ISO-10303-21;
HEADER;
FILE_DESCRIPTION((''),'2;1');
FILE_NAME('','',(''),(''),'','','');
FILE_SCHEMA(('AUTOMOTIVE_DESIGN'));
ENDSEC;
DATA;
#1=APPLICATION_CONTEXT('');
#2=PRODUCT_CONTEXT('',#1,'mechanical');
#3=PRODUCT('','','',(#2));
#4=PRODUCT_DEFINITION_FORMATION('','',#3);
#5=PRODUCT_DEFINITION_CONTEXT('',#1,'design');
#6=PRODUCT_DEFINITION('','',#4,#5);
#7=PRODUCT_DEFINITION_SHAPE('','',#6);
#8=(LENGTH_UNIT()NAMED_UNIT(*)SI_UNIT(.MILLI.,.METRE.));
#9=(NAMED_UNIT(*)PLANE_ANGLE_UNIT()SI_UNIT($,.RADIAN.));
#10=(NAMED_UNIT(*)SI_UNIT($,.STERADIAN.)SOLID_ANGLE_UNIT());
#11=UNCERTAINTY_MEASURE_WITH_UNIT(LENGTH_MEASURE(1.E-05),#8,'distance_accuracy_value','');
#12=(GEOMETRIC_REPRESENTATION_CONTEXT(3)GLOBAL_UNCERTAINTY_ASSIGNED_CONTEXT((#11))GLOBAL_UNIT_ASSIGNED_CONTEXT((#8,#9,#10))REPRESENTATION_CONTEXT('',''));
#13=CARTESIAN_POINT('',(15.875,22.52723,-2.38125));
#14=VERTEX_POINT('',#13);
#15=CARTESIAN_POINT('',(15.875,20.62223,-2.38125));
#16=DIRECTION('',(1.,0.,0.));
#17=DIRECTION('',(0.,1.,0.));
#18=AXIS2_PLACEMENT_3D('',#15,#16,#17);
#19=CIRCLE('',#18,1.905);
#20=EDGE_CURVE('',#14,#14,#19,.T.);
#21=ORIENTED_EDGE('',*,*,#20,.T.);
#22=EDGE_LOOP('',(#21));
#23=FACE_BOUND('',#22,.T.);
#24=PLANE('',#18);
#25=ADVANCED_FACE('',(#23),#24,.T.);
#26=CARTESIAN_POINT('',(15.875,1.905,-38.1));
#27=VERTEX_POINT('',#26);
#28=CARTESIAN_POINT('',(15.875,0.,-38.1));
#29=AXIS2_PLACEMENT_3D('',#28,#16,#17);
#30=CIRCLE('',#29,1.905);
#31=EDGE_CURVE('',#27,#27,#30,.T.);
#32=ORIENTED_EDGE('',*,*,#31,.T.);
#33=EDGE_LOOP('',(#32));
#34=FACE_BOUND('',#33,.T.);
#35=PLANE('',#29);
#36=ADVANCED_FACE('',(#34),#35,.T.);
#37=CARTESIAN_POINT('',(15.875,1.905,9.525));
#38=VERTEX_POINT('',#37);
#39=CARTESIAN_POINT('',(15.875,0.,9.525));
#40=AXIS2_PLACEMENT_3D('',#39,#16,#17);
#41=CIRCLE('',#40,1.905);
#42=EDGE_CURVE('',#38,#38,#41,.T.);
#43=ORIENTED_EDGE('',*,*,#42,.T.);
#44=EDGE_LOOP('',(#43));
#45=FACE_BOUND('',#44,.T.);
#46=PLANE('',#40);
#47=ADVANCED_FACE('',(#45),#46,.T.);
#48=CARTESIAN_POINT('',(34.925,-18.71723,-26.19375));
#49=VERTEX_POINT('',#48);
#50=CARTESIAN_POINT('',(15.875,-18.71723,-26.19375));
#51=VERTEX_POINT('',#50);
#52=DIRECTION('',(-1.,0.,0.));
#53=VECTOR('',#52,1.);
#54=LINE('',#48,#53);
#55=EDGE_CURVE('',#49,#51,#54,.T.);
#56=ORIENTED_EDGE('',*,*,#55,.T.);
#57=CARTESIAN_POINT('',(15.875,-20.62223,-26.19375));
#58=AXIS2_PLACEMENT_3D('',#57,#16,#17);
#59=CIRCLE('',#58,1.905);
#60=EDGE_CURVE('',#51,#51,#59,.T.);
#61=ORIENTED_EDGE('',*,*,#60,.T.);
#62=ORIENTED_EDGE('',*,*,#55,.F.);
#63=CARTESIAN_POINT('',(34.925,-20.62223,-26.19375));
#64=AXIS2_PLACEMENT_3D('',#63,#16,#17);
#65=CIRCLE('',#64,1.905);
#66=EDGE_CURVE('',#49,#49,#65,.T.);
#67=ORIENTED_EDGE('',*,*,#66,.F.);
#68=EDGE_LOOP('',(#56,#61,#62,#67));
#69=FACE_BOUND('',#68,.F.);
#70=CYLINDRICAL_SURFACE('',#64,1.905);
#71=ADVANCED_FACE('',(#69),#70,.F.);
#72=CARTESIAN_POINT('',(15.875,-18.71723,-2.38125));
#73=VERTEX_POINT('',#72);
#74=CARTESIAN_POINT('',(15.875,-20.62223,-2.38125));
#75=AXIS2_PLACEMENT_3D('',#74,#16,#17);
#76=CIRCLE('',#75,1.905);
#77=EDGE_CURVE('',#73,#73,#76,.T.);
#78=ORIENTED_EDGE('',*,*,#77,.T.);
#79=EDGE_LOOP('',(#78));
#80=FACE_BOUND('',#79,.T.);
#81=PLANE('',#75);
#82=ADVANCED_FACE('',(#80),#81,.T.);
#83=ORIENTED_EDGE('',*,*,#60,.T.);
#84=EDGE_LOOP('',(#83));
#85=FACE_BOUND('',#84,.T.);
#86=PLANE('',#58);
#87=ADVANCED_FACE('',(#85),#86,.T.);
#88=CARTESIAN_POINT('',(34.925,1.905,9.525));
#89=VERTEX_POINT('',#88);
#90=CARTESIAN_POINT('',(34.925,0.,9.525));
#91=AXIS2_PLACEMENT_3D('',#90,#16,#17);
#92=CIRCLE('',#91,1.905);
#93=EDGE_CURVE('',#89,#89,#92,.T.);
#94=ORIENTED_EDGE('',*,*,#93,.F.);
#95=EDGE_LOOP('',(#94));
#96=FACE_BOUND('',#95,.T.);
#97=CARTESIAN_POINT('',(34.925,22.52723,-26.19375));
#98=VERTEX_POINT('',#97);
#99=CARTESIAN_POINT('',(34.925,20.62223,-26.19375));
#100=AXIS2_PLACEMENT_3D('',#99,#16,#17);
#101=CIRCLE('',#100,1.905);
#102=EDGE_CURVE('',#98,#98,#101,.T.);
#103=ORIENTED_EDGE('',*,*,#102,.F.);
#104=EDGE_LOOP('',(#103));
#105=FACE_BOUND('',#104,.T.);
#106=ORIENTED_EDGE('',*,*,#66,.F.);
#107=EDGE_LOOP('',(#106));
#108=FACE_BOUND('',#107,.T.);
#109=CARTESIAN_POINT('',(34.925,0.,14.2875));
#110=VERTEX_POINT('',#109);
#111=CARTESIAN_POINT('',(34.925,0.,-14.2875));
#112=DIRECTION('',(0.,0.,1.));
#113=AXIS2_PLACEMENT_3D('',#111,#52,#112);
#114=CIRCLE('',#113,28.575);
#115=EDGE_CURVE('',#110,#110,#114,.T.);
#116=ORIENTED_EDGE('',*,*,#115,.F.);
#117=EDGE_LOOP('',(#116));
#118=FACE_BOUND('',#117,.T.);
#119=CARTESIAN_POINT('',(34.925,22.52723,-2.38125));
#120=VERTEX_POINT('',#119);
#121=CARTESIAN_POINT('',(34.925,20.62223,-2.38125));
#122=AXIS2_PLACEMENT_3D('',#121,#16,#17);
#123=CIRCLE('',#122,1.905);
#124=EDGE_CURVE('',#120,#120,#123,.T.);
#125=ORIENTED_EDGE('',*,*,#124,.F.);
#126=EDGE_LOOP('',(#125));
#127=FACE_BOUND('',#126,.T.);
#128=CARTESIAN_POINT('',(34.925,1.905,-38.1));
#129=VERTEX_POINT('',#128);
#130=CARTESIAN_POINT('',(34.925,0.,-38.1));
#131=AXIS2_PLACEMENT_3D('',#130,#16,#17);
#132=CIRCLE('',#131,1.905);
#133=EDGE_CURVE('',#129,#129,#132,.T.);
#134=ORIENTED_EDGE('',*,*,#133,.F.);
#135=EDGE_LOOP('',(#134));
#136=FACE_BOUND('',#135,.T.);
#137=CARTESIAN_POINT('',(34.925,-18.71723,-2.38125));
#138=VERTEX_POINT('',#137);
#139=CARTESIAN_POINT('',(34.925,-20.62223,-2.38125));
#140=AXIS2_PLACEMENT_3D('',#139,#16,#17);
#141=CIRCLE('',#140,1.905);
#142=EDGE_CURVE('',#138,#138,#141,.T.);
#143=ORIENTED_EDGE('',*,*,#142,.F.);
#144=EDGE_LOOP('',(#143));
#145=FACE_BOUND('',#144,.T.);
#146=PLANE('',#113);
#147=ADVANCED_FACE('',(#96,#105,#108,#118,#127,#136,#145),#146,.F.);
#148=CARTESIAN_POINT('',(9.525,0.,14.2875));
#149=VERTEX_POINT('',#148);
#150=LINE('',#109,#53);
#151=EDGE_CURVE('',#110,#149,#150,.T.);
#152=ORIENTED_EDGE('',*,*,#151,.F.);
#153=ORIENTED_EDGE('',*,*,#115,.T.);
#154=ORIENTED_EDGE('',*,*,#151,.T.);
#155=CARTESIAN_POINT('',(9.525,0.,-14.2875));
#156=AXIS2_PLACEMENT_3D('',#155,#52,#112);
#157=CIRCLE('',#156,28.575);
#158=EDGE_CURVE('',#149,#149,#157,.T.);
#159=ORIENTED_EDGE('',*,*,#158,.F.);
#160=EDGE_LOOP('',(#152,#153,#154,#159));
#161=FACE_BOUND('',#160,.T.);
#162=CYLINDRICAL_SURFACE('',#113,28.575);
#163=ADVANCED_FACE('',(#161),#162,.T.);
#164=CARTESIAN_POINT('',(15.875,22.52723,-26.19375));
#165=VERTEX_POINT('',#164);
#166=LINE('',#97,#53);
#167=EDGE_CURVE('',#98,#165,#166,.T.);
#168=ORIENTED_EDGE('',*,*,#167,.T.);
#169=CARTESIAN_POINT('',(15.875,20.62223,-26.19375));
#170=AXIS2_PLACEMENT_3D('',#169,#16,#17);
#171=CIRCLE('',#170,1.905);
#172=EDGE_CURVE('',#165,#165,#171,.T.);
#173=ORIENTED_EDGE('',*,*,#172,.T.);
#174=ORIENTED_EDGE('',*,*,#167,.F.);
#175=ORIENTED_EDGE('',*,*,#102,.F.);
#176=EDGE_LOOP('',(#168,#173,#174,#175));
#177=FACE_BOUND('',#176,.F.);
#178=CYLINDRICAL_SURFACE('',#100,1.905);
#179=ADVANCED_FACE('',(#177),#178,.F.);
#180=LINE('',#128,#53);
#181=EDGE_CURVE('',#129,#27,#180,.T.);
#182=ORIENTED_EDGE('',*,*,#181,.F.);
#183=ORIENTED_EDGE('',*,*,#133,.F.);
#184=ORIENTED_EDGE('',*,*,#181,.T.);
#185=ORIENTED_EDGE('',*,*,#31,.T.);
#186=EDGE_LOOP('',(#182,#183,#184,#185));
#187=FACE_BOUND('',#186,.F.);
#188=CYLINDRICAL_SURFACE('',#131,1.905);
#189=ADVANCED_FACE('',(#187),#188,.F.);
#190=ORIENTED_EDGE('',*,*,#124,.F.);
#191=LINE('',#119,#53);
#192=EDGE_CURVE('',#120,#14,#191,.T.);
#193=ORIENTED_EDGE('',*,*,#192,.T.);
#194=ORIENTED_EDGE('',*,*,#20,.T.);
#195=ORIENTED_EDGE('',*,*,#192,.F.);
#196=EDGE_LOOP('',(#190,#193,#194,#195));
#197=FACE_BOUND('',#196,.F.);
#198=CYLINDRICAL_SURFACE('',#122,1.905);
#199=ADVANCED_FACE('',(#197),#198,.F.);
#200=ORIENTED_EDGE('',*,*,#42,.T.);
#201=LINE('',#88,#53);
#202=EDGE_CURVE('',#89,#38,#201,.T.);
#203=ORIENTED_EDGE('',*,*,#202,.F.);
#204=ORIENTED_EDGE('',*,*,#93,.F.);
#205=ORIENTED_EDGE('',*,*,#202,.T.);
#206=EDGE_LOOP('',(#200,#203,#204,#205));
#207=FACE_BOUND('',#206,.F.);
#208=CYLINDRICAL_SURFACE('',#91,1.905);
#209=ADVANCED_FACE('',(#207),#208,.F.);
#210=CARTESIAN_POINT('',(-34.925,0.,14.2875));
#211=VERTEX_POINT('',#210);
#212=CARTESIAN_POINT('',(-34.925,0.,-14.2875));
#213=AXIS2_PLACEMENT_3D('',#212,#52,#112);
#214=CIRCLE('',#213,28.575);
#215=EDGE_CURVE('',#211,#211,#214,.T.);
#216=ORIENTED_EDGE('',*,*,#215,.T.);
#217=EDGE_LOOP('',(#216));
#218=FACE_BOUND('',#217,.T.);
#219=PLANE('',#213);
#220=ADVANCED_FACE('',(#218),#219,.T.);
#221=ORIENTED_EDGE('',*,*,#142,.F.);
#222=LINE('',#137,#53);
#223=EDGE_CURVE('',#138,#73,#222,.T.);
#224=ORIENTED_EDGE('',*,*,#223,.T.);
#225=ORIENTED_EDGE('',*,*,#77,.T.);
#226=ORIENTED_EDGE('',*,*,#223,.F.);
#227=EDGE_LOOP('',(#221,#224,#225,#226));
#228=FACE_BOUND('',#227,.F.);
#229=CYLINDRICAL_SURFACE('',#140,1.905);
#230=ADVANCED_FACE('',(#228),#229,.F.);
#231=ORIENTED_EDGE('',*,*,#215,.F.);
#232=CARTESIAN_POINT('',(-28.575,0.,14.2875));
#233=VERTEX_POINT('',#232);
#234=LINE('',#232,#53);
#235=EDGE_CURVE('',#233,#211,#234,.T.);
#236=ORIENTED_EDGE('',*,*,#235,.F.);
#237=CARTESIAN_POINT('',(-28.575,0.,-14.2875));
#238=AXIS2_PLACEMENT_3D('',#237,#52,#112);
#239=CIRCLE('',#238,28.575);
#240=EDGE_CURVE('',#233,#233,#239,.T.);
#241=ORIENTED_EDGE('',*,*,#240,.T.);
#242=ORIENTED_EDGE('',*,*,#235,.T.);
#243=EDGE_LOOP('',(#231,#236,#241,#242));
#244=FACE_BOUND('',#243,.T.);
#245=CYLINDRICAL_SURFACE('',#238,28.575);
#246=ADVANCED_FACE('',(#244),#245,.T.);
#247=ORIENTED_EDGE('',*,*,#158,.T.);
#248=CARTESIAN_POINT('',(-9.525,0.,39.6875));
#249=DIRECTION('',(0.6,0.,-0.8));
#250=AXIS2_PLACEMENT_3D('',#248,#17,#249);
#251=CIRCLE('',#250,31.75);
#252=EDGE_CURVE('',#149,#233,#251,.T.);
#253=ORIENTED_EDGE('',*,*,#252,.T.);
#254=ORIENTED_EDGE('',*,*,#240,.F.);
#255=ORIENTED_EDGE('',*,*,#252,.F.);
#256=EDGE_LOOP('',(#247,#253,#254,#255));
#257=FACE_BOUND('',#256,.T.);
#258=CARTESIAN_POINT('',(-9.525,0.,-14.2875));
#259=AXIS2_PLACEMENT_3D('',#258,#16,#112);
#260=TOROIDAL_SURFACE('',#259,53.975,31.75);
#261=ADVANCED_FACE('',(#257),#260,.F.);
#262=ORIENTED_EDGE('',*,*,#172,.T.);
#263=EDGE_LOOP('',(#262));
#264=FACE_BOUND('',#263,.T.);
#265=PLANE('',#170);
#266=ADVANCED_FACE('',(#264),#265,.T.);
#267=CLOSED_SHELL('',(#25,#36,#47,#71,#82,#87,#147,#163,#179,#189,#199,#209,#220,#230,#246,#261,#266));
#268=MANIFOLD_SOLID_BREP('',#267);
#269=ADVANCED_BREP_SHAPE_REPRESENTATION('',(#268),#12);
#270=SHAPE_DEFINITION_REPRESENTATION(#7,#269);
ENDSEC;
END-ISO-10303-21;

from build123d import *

# Parameters (mm, degrees)
F2_R     = 1.905
F3_DEPTH = 19.05


with BuildPart() as f1:
    # F0 (on Front) → F1 (revolve)
    with BuildSketch(Plane.XZ):
        with BuildLine():
            Line((34.925, -14.2875), (34.925, 14.2875))
            Line((34.925, 14.2875), (9.525, 14.2875))
            ThreePointArc((9.525, 14.2875), (-9.525, 7.9375), (-28.575, 14.2875))
            Line((-28.575, 14.2875), (-34.925, 14.2875))
            Line((-34.925, 14.2875), (-34.925, -14.2875))
            Line((-34.925, -14.2875), (34.925, -14.2875))
        make_face()
    revolve(axis=Axis((0, 0, -14.2875), (-1, 0, 0)))

    # F2 (on face) → F3 (cut)
    with BuildSketch(Plane.YZ.offset(34.925)):
        with Locations((0, 9.525)):
            Circle(F2_R)
        with Locations((-20.62223, -2.38125)):
            Circle(F2_R)
        with Locations((-20.62223, -26.19375)):
            Circle(F2_R)
        with Locations((0, -38.1)):
            Circle(F2_R)
        with Locations((20.62223, -26.19375)):
            Circle(F2_R)
        with Locations((20.62223, -2.38125)):
            Circle(F2_R)
    extrude(amount=-F3_DEPTH, mode=Mode.SUBTRACT)


solid = f1.part
